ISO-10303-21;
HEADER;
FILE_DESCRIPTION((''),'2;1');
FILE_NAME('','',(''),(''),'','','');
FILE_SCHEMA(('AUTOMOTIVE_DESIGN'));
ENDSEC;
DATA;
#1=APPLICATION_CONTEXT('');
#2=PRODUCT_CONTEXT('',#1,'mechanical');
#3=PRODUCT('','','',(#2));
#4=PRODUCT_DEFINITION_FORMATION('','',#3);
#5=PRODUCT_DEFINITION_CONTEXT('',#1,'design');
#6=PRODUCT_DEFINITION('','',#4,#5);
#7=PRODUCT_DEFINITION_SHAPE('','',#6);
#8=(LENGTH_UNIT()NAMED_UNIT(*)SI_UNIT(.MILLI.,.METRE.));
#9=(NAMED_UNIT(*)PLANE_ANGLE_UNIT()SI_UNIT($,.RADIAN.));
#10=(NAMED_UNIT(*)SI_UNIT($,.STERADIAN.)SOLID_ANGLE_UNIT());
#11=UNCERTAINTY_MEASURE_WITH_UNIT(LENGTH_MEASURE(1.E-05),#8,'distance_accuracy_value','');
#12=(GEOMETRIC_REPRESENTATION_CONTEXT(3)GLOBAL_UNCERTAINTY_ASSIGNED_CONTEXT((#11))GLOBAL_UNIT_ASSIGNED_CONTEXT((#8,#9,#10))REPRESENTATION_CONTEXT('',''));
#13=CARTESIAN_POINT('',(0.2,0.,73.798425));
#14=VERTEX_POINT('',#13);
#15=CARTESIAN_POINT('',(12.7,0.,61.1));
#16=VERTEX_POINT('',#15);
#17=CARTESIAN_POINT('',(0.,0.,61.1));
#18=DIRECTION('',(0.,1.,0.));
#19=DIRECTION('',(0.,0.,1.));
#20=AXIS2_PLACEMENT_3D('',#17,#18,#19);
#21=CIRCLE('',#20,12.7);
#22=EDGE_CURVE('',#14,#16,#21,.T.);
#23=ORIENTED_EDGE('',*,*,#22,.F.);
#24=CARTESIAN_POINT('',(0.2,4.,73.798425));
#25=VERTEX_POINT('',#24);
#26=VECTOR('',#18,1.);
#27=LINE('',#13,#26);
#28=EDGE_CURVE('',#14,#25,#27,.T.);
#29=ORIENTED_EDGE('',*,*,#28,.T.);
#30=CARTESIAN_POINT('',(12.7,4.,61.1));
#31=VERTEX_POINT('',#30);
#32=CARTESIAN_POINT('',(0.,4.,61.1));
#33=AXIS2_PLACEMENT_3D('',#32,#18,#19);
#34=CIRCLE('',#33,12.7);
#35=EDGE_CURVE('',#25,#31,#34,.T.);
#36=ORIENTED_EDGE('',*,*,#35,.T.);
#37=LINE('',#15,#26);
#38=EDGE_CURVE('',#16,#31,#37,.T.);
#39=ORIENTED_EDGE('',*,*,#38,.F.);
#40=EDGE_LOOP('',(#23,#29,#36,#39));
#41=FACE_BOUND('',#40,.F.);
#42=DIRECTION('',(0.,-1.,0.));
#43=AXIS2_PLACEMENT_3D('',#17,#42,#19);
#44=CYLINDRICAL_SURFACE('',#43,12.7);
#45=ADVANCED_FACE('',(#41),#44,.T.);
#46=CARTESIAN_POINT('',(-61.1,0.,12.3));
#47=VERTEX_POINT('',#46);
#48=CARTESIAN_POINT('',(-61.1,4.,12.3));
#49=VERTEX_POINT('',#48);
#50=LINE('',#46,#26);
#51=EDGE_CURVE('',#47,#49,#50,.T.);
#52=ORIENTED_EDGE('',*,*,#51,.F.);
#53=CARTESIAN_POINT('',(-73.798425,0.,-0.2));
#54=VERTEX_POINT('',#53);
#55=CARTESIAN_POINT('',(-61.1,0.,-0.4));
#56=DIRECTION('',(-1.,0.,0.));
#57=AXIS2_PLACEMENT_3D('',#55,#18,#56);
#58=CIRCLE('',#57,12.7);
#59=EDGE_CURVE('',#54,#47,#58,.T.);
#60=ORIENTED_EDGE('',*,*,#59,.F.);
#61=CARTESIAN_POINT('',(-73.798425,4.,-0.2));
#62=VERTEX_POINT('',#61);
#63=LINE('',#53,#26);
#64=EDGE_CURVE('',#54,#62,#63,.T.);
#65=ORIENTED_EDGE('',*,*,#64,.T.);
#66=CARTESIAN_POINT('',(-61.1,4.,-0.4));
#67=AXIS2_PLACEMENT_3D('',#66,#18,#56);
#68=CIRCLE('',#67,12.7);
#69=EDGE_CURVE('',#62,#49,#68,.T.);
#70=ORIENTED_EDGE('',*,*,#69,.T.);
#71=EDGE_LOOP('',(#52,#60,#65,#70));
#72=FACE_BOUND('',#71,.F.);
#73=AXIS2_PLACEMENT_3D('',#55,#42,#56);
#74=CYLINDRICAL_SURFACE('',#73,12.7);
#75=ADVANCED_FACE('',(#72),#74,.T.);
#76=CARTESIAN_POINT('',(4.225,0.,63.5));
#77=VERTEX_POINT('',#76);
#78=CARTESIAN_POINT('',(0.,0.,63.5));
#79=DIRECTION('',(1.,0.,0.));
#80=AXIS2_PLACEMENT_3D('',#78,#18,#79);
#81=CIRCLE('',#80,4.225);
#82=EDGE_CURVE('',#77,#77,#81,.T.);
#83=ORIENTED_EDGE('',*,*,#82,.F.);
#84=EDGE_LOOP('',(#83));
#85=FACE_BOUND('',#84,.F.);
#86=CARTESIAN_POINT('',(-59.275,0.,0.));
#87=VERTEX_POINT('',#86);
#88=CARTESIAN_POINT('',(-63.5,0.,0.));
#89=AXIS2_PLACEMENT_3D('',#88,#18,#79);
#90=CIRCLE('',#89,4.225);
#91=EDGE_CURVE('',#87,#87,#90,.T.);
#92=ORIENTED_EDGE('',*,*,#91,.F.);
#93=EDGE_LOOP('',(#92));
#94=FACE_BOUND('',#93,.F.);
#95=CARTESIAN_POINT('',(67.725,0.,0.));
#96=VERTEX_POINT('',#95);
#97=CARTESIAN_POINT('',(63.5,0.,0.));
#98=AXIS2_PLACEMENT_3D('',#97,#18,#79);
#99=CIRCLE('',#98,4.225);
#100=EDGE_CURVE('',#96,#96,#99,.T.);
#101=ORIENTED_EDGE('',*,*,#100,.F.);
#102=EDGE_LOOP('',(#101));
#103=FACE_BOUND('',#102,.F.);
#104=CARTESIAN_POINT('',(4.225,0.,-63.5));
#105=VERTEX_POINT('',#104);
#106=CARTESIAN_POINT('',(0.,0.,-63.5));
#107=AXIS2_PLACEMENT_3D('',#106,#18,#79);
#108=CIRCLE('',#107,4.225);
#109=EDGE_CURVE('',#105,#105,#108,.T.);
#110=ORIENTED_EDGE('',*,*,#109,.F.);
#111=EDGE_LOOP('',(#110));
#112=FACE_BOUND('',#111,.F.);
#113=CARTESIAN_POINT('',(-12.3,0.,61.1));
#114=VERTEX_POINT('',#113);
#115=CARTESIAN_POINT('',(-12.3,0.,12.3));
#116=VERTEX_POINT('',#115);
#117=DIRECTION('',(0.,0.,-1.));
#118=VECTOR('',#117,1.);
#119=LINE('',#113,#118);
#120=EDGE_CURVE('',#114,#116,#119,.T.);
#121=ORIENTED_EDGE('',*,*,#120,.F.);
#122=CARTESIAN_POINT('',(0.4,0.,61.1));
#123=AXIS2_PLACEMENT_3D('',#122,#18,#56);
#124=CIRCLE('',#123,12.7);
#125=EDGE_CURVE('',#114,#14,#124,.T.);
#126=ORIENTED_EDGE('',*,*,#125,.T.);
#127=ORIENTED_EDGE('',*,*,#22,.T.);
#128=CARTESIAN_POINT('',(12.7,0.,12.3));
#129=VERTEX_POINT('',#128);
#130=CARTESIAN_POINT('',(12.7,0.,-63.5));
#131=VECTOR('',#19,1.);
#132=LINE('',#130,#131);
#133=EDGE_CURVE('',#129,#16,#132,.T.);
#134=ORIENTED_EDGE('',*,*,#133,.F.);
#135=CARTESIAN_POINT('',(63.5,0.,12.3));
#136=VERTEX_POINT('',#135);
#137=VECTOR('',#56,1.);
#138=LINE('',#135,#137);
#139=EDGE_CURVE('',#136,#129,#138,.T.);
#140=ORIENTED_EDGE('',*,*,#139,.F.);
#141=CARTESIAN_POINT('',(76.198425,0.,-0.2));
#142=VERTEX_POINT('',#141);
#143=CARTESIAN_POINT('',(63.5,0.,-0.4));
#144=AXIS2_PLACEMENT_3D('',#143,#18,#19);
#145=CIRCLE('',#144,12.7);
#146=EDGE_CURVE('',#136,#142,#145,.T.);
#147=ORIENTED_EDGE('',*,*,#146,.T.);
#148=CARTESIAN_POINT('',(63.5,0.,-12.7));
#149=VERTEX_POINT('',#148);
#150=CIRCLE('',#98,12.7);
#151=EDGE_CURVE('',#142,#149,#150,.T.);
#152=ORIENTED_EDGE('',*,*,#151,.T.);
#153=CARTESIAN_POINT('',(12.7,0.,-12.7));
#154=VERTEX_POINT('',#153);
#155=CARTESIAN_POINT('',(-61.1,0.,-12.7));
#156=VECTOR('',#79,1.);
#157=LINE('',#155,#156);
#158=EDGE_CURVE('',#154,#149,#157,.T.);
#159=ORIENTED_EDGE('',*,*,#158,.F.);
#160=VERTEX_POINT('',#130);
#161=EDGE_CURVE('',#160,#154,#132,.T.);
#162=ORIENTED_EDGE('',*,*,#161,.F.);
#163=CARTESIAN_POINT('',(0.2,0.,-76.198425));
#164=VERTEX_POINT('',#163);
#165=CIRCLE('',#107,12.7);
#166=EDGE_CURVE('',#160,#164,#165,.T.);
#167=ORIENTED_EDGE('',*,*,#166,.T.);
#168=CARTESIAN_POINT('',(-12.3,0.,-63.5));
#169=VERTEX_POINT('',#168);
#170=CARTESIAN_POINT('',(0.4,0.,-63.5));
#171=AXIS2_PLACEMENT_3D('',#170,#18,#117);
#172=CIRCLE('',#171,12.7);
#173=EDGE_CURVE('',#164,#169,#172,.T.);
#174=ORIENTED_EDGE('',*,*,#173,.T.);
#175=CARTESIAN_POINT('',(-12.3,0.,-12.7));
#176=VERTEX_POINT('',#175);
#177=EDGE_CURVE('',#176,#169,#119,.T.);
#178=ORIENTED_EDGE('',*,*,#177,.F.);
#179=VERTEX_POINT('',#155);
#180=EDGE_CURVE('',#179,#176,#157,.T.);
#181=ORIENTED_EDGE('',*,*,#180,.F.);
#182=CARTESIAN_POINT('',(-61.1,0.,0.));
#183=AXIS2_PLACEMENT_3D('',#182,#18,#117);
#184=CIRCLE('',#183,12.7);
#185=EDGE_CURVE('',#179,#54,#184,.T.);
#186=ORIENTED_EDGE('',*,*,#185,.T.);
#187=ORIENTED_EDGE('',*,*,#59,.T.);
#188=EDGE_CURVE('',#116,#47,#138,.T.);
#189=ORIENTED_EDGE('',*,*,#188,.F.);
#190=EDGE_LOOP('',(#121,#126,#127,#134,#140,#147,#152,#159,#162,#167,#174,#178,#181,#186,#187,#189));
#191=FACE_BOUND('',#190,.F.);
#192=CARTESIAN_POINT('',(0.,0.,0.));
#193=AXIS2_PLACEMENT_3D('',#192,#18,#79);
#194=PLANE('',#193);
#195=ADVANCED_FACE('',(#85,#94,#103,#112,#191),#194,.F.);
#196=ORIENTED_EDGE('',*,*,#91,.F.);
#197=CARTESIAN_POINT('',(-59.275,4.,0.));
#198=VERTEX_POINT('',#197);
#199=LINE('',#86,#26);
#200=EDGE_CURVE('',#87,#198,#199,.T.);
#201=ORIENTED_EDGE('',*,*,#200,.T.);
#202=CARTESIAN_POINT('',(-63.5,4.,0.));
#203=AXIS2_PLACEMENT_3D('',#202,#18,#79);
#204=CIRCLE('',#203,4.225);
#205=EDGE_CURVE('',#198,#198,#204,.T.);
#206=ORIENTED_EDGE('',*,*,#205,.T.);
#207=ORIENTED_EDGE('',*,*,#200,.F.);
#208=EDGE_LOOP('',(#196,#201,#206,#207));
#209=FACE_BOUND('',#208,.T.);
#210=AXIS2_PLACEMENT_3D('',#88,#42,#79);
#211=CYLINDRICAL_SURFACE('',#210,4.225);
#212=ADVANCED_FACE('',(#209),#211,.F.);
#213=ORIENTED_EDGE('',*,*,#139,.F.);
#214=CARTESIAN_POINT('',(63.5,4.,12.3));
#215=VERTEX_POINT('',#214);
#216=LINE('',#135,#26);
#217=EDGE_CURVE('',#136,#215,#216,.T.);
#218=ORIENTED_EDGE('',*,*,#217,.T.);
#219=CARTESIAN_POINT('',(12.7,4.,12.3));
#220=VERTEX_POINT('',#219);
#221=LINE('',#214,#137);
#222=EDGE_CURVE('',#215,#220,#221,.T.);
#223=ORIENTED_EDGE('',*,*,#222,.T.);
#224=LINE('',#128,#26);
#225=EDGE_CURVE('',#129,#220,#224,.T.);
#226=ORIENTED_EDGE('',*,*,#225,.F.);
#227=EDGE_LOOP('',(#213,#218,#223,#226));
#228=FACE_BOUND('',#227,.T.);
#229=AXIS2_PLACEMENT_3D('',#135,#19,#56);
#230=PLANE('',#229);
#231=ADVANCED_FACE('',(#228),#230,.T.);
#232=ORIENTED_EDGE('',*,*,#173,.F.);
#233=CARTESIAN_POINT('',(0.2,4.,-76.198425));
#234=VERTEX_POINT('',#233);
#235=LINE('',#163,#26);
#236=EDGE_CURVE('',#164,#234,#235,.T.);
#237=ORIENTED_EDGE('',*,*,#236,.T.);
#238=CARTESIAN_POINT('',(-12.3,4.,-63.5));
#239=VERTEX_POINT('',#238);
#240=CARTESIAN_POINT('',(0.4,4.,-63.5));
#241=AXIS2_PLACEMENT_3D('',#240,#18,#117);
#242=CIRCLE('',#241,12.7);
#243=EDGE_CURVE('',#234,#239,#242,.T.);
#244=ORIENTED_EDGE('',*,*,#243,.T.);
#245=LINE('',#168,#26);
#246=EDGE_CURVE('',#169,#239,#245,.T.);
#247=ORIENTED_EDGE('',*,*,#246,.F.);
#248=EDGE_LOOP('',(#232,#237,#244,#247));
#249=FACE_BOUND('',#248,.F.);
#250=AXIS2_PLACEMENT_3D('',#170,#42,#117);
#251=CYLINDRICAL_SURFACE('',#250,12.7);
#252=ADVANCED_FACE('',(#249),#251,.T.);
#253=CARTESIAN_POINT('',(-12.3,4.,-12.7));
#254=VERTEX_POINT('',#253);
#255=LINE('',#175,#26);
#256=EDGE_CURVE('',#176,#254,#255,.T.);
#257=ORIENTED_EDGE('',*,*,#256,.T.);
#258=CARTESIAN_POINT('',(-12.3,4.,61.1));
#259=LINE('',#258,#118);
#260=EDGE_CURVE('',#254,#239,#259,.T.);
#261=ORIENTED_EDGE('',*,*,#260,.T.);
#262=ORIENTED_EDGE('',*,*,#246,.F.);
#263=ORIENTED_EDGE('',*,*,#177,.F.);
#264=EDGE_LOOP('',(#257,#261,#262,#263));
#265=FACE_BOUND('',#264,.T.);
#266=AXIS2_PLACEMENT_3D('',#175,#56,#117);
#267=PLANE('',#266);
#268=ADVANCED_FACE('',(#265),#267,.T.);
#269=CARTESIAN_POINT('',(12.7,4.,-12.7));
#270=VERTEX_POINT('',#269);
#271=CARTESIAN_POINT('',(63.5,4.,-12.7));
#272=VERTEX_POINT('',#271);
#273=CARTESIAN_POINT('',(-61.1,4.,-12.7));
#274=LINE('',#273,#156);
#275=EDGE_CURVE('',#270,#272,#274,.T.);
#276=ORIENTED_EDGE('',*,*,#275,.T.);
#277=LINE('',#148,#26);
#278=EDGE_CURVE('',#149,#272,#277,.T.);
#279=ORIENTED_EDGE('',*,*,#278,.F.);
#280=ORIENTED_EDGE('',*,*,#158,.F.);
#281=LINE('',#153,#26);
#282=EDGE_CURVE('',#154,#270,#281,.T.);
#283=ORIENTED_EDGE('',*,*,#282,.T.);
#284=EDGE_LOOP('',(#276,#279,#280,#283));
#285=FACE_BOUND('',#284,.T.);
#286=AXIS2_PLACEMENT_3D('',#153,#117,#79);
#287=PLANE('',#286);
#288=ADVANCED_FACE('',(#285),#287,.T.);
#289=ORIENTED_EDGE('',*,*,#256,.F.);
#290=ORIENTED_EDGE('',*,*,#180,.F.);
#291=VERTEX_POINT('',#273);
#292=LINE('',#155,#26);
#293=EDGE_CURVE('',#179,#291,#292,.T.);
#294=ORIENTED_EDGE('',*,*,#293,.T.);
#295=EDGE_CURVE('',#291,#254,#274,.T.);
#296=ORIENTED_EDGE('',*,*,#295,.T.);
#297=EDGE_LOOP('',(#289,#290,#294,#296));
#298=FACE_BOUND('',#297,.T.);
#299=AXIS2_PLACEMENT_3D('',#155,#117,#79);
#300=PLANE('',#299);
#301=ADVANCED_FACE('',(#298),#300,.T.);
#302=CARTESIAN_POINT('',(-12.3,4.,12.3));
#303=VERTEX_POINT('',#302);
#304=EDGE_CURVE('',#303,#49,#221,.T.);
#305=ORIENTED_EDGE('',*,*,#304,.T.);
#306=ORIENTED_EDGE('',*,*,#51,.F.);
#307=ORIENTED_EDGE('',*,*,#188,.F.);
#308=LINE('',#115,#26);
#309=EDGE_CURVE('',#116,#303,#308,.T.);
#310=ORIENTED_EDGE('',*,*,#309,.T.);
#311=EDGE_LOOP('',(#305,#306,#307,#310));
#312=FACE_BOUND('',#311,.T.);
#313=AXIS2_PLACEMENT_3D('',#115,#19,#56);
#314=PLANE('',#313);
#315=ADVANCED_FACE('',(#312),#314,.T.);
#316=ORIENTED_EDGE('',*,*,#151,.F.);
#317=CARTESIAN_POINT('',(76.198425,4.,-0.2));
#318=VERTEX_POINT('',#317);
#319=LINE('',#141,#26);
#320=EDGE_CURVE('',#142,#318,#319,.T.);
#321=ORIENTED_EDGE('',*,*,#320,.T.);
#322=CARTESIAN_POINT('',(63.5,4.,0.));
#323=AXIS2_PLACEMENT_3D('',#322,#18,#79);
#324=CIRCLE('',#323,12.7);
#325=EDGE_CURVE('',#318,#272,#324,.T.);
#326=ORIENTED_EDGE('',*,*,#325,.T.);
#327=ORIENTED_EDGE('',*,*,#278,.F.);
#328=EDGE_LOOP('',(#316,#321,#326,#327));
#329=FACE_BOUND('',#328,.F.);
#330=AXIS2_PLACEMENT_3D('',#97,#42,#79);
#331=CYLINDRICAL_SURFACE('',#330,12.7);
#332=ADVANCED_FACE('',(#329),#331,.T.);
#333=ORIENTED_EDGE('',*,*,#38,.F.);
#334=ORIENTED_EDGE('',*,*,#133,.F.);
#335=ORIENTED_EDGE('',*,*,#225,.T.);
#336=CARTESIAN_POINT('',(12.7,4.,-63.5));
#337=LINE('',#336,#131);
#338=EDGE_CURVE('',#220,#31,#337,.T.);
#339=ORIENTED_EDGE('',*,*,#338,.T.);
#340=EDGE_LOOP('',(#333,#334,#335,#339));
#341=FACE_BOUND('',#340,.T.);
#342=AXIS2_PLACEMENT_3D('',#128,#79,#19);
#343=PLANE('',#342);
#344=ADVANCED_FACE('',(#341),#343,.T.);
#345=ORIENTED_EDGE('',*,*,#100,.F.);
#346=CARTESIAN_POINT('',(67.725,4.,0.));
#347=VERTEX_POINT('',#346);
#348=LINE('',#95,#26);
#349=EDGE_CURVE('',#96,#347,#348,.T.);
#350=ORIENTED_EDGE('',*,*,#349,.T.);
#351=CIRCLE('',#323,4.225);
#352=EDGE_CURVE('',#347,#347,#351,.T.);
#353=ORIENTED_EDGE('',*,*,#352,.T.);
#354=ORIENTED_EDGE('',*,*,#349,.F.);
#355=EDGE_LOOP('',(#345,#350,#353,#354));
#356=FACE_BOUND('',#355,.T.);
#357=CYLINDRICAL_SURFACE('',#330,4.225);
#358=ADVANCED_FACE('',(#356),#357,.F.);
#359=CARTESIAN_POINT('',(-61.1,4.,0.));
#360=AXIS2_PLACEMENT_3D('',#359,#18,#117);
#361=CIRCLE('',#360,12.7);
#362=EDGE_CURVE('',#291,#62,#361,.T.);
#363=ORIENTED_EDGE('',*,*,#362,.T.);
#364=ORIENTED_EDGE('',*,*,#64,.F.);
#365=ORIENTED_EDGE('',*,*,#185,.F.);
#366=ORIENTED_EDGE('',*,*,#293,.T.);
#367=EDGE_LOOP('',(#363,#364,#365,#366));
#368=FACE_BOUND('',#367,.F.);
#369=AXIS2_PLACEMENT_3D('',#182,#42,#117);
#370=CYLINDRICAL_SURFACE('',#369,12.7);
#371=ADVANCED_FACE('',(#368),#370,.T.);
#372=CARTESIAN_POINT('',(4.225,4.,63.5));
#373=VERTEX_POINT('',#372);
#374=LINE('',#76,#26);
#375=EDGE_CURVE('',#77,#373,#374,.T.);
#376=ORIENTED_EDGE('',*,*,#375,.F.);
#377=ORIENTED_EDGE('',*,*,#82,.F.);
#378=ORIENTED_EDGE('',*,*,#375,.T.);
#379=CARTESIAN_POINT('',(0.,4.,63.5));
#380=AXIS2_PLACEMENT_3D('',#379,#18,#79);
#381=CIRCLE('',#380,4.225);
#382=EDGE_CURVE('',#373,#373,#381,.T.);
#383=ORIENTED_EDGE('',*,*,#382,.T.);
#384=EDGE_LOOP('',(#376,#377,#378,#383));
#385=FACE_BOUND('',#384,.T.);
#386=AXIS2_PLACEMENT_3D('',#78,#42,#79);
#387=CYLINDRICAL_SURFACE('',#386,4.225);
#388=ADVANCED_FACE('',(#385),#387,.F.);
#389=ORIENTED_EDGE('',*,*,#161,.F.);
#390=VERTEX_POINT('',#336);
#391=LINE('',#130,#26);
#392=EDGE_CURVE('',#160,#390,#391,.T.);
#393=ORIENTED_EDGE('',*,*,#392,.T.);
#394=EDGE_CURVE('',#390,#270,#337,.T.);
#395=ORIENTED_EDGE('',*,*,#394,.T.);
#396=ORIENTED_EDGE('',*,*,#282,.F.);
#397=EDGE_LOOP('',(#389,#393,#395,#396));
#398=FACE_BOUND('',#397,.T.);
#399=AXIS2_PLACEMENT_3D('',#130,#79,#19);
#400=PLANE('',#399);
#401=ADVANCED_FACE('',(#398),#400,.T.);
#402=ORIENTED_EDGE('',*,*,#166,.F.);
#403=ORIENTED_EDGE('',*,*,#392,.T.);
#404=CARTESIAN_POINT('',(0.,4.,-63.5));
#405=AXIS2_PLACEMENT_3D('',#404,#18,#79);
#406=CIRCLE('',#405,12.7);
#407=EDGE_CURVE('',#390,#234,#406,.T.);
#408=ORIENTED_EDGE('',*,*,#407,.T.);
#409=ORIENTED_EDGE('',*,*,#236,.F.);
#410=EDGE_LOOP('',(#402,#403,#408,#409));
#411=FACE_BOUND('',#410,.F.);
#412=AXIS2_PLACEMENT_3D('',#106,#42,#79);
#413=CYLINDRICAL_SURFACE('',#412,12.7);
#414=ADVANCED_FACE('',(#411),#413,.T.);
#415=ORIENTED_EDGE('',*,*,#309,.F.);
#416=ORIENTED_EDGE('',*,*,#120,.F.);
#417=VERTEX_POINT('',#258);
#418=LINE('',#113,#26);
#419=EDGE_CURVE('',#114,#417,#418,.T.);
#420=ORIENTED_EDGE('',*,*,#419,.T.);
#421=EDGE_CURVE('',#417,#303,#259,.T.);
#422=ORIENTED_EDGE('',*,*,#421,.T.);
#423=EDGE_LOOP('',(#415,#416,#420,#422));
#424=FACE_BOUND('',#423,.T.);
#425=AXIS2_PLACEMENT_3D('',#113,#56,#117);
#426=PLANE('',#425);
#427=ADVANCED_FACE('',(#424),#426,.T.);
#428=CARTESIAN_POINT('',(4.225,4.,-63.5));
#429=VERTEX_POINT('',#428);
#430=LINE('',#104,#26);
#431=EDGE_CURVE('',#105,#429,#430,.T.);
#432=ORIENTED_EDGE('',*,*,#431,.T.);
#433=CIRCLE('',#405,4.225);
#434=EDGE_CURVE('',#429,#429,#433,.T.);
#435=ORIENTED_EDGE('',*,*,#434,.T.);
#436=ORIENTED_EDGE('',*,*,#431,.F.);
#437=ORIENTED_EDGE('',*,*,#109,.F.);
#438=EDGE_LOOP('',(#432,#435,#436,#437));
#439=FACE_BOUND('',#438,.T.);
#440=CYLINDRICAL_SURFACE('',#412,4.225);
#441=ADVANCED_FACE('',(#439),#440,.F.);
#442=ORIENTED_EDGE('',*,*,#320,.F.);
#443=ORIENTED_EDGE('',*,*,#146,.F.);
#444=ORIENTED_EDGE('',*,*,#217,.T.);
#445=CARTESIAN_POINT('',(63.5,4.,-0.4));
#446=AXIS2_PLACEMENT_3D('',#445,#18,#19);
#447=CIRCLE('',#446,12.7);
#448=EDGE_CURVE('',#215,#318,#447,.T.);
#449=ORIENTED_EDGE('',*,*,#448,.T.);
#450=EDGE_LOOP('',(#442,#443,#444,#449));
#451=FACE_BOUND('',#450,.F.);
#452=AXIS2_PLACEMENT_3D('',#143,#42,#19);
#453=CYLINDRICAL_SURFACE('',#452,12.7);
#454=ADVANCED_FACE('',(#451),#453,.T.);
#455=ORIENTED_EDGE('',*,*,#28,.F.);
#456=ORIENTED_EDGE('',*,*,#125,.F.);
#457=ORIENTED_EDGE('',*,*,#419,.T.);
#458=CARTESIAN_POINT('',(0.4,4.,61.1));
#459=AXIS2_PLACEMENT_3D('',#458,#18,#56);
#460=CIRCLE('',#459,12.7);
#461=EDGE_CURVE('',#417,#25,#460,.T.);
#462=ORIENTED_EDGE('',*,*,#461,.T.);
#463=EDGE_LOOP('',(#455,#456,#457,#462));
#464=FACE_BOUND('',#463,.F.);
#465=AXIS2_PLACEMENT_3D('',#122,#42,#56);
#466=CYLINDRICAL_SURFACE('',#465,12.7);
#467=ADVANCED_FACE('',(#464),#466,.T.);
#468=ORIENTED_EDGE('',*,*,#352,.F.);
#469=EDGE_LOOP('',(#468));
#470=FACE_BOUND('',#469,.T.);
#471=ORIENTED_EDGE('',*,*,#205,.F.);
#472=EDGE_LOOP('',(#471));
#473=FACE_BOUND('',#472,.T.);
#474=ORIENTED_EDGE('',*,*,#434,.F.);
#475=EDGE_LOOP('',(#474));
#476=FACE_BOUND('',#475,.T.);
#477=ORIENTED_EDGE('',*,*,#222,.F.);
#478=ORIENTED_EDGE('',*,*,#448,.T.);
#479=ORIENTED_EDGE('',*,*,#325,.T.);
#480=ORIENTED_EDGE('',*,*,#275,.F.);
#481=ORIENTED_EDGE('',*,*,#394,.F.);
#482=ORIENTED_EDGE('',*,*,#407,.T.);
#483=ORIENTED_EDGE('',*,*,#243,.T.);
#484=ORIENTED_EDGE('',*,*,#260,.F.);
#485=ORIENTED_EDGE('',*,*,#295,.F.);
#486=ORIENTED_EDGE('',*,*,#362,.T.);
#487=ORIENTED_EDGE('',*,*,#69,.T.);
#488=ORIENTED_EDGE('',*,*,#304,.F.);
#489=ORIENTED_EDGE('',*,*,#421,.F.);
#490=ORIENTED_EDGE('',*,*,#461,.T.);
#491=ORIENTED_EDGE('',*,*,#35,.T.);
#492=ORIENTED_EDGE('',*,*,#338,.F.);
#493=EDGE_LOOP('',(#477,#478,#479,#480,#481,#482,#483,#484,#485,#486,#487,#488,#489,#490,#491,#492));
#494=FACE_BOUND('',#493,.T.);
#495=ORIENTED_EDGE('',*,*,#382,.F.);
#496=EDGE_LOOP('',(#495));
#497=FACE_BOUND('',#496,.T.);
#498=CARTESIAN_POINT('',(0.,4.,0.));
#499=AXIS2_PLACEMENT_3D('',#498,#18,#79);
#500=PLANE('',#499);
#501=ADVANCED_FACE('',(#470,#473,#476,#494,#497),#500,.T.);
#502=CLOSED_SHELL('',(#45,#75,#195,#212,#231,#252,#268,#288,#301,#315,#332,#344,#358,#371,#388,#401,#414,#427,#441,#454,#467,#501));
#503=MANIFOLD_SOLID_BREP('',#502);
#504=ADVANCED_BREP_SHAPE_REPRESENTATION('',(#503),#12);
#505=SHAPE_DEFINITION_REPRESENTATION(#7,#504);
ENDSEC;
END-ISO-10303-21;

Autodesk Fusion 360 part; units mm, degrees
sketch "Sketch1" plane through (0, 0, 0) normal (0, 1, 0) x (1, 0, 0)
  line L0 (0.4, 76.2) -> (0, 76.2)
  line L1 (12.7, 63.5) -> (12.7, -61.1)
  line L2 (0, -73.8) -> (0.4, -73.8)
  line L3 (-12.3, -61.1) -> (-12.3, 63.5)
  line L4 (-61.1, 12.7) -> (63.5, 12.7)
  line L5 (76.2, 0) -> (76.2, 0.4)
  line L6 (63.5, -12.3) -> (-61.1, -12.3)
  line L7 (-73.8, 0.4) -> (-73.8, 0)
  circle A0 centre (-63.5, 0) radius 4.225
  circle A1 centre (0, 63.5) radius 4.225
  circle A2 centre (63.5, 0) radius 4.225
  circle A3 centre (0, -63.5) radius 4.225
  arc A4 (-73.8, 0.4) -> (-61.1, -12.3) centre (-61.1, 0.4) ccw
  arc A5 (-61.1, 12.7) -> (-73.8, 0) centre (-61.1, 0) ccw
  arc A6 (0.4, 76.2) -> (-12.3, 63.5) centre (0.4, 63.5) ccw
  arc A7 (12.7, 63.5) -> (0, 76.2) centre (0, 63.5) ccw
  arc A8 (76.2, 0) -> (63.5, 12.7) centre (63.5, 0) ccw
  arc A9 (63.5, -12.3) -> (76.2, 0.4) centre (63.5, 0.4) ccw
  arc A10 (-12.3, -61.1) -> (0.4, -73.8) centre (0.4, -61.1) ccw
  arc A11 (0, -73.8) -> (12.7, -61.1) centre (0, -61.1) ccw
  point P0 (-12.3, 76.2)
  point P1 (12.7, 76.2)
  point P2 (-12.3, -73.8)
  point P3 (-73.8, 12.7)
  point P4 (76.2, 12.7)
  point P5 (-73.8, -12.3)
  dimension "d3" = 25
  dimension "d4" = 150
  dimension "d5" = 150
  dimension "d6" = 25
  dimension "d7" = 8.45
  dimension "d8" = 8.45
  dimension "d9" = 8.45
  dimension "d10" = 8.45
  dimension "d11" = 12.7
extrude "Extrude1" add sketch "Sketch1" along normal blind 4
